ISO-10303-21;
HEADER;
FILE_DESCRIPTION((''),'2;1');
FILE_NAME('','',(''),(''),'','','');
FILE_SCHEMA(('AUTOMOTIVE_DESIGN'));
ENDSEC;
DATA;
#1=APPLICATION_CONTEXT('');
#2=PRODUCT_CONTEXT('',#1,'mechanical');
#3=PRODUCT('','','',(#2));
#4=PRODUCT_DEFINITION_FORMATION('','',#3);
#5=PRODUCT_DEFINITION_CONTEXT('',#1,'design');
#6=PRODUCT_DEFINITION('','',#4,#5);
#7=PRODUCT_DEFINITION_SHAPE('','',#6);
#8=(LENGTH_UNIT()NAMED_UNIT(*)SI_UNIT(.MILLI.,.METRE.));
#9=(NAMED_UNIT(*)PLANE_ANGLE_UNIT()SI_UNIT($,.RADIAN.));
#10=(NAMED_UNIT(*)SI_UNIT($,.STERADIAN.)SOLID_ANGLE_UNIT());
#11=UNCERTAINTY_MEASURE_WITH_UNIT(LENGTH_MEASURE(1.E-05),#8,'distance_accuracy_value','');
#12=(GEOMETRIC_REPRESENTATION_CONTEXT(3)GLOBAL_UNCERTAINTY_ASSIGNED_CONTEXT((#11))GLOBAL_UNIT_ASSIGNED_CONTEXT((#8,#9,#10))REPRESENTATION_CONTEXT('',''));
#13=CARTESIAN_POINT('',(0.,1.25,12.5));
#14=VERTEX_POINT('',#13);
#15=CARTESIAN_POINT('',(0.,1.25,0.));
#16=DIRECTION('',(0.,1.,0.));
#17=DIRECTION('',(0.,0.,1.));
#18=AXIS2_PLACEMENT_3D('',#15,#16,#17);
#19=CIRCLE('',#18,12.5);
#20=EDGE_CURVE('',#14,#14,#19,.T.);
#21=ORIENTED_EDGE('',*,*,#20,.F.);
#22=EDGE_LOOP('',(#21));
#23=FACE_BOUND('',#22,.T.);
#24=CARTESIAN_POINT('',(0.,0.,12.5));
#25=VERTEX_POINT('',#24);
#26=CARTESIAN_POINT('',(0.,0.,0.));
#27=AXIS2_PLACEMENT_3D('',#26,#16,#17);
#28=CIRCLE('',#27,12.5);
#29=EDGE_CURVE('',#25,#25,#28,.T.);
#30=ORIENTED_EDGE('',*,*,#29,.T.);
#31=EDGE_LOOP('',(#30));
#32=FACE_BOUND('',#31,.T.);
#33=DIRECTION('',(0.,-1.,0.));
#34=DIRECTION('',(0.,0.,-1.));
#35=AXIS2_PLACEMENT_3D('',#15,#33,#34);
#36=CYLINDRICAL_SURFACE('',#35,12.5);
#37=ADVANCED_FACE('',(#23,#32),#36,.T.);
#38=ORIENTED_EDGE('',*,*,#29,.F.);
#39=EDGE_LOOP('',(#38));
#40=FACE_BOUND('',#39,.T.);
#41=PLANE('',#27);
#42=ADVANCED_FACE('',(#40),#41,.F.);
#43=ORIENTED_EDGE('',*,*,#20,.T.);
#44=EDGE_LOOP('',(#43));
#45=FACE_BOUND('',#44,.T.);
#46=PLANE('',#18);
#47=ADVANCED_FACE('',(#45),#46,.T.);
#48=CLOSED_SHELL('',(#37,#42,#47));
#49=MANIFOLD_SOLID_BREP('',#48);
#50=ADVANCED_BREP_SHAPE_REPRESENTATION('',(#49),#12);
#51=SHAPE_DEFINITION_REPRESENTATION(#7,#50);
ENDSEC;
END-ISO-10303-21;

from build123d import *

# Parameters (mm, degrees)
SKETCH_1_R      = 12.5
EXTRUDE_1_DEPTH = 1.25


with BuildPart() as part:
    # 草图1 → 凸台-拉伸1 (new body)
    with BuildSketch(Plane(origin=(0, 0, 0), x_dir=(1, 0, 0), z_dir=(0, 1, 0))):
        with Locations(Location((0, 0, 0), (0, 0, 270))):  # turned: the seam where the file's is
            Circle(SKETCH_1_R)
    extrude(amount=EXTRUDE_1_DEPTH)


solid = part.part
